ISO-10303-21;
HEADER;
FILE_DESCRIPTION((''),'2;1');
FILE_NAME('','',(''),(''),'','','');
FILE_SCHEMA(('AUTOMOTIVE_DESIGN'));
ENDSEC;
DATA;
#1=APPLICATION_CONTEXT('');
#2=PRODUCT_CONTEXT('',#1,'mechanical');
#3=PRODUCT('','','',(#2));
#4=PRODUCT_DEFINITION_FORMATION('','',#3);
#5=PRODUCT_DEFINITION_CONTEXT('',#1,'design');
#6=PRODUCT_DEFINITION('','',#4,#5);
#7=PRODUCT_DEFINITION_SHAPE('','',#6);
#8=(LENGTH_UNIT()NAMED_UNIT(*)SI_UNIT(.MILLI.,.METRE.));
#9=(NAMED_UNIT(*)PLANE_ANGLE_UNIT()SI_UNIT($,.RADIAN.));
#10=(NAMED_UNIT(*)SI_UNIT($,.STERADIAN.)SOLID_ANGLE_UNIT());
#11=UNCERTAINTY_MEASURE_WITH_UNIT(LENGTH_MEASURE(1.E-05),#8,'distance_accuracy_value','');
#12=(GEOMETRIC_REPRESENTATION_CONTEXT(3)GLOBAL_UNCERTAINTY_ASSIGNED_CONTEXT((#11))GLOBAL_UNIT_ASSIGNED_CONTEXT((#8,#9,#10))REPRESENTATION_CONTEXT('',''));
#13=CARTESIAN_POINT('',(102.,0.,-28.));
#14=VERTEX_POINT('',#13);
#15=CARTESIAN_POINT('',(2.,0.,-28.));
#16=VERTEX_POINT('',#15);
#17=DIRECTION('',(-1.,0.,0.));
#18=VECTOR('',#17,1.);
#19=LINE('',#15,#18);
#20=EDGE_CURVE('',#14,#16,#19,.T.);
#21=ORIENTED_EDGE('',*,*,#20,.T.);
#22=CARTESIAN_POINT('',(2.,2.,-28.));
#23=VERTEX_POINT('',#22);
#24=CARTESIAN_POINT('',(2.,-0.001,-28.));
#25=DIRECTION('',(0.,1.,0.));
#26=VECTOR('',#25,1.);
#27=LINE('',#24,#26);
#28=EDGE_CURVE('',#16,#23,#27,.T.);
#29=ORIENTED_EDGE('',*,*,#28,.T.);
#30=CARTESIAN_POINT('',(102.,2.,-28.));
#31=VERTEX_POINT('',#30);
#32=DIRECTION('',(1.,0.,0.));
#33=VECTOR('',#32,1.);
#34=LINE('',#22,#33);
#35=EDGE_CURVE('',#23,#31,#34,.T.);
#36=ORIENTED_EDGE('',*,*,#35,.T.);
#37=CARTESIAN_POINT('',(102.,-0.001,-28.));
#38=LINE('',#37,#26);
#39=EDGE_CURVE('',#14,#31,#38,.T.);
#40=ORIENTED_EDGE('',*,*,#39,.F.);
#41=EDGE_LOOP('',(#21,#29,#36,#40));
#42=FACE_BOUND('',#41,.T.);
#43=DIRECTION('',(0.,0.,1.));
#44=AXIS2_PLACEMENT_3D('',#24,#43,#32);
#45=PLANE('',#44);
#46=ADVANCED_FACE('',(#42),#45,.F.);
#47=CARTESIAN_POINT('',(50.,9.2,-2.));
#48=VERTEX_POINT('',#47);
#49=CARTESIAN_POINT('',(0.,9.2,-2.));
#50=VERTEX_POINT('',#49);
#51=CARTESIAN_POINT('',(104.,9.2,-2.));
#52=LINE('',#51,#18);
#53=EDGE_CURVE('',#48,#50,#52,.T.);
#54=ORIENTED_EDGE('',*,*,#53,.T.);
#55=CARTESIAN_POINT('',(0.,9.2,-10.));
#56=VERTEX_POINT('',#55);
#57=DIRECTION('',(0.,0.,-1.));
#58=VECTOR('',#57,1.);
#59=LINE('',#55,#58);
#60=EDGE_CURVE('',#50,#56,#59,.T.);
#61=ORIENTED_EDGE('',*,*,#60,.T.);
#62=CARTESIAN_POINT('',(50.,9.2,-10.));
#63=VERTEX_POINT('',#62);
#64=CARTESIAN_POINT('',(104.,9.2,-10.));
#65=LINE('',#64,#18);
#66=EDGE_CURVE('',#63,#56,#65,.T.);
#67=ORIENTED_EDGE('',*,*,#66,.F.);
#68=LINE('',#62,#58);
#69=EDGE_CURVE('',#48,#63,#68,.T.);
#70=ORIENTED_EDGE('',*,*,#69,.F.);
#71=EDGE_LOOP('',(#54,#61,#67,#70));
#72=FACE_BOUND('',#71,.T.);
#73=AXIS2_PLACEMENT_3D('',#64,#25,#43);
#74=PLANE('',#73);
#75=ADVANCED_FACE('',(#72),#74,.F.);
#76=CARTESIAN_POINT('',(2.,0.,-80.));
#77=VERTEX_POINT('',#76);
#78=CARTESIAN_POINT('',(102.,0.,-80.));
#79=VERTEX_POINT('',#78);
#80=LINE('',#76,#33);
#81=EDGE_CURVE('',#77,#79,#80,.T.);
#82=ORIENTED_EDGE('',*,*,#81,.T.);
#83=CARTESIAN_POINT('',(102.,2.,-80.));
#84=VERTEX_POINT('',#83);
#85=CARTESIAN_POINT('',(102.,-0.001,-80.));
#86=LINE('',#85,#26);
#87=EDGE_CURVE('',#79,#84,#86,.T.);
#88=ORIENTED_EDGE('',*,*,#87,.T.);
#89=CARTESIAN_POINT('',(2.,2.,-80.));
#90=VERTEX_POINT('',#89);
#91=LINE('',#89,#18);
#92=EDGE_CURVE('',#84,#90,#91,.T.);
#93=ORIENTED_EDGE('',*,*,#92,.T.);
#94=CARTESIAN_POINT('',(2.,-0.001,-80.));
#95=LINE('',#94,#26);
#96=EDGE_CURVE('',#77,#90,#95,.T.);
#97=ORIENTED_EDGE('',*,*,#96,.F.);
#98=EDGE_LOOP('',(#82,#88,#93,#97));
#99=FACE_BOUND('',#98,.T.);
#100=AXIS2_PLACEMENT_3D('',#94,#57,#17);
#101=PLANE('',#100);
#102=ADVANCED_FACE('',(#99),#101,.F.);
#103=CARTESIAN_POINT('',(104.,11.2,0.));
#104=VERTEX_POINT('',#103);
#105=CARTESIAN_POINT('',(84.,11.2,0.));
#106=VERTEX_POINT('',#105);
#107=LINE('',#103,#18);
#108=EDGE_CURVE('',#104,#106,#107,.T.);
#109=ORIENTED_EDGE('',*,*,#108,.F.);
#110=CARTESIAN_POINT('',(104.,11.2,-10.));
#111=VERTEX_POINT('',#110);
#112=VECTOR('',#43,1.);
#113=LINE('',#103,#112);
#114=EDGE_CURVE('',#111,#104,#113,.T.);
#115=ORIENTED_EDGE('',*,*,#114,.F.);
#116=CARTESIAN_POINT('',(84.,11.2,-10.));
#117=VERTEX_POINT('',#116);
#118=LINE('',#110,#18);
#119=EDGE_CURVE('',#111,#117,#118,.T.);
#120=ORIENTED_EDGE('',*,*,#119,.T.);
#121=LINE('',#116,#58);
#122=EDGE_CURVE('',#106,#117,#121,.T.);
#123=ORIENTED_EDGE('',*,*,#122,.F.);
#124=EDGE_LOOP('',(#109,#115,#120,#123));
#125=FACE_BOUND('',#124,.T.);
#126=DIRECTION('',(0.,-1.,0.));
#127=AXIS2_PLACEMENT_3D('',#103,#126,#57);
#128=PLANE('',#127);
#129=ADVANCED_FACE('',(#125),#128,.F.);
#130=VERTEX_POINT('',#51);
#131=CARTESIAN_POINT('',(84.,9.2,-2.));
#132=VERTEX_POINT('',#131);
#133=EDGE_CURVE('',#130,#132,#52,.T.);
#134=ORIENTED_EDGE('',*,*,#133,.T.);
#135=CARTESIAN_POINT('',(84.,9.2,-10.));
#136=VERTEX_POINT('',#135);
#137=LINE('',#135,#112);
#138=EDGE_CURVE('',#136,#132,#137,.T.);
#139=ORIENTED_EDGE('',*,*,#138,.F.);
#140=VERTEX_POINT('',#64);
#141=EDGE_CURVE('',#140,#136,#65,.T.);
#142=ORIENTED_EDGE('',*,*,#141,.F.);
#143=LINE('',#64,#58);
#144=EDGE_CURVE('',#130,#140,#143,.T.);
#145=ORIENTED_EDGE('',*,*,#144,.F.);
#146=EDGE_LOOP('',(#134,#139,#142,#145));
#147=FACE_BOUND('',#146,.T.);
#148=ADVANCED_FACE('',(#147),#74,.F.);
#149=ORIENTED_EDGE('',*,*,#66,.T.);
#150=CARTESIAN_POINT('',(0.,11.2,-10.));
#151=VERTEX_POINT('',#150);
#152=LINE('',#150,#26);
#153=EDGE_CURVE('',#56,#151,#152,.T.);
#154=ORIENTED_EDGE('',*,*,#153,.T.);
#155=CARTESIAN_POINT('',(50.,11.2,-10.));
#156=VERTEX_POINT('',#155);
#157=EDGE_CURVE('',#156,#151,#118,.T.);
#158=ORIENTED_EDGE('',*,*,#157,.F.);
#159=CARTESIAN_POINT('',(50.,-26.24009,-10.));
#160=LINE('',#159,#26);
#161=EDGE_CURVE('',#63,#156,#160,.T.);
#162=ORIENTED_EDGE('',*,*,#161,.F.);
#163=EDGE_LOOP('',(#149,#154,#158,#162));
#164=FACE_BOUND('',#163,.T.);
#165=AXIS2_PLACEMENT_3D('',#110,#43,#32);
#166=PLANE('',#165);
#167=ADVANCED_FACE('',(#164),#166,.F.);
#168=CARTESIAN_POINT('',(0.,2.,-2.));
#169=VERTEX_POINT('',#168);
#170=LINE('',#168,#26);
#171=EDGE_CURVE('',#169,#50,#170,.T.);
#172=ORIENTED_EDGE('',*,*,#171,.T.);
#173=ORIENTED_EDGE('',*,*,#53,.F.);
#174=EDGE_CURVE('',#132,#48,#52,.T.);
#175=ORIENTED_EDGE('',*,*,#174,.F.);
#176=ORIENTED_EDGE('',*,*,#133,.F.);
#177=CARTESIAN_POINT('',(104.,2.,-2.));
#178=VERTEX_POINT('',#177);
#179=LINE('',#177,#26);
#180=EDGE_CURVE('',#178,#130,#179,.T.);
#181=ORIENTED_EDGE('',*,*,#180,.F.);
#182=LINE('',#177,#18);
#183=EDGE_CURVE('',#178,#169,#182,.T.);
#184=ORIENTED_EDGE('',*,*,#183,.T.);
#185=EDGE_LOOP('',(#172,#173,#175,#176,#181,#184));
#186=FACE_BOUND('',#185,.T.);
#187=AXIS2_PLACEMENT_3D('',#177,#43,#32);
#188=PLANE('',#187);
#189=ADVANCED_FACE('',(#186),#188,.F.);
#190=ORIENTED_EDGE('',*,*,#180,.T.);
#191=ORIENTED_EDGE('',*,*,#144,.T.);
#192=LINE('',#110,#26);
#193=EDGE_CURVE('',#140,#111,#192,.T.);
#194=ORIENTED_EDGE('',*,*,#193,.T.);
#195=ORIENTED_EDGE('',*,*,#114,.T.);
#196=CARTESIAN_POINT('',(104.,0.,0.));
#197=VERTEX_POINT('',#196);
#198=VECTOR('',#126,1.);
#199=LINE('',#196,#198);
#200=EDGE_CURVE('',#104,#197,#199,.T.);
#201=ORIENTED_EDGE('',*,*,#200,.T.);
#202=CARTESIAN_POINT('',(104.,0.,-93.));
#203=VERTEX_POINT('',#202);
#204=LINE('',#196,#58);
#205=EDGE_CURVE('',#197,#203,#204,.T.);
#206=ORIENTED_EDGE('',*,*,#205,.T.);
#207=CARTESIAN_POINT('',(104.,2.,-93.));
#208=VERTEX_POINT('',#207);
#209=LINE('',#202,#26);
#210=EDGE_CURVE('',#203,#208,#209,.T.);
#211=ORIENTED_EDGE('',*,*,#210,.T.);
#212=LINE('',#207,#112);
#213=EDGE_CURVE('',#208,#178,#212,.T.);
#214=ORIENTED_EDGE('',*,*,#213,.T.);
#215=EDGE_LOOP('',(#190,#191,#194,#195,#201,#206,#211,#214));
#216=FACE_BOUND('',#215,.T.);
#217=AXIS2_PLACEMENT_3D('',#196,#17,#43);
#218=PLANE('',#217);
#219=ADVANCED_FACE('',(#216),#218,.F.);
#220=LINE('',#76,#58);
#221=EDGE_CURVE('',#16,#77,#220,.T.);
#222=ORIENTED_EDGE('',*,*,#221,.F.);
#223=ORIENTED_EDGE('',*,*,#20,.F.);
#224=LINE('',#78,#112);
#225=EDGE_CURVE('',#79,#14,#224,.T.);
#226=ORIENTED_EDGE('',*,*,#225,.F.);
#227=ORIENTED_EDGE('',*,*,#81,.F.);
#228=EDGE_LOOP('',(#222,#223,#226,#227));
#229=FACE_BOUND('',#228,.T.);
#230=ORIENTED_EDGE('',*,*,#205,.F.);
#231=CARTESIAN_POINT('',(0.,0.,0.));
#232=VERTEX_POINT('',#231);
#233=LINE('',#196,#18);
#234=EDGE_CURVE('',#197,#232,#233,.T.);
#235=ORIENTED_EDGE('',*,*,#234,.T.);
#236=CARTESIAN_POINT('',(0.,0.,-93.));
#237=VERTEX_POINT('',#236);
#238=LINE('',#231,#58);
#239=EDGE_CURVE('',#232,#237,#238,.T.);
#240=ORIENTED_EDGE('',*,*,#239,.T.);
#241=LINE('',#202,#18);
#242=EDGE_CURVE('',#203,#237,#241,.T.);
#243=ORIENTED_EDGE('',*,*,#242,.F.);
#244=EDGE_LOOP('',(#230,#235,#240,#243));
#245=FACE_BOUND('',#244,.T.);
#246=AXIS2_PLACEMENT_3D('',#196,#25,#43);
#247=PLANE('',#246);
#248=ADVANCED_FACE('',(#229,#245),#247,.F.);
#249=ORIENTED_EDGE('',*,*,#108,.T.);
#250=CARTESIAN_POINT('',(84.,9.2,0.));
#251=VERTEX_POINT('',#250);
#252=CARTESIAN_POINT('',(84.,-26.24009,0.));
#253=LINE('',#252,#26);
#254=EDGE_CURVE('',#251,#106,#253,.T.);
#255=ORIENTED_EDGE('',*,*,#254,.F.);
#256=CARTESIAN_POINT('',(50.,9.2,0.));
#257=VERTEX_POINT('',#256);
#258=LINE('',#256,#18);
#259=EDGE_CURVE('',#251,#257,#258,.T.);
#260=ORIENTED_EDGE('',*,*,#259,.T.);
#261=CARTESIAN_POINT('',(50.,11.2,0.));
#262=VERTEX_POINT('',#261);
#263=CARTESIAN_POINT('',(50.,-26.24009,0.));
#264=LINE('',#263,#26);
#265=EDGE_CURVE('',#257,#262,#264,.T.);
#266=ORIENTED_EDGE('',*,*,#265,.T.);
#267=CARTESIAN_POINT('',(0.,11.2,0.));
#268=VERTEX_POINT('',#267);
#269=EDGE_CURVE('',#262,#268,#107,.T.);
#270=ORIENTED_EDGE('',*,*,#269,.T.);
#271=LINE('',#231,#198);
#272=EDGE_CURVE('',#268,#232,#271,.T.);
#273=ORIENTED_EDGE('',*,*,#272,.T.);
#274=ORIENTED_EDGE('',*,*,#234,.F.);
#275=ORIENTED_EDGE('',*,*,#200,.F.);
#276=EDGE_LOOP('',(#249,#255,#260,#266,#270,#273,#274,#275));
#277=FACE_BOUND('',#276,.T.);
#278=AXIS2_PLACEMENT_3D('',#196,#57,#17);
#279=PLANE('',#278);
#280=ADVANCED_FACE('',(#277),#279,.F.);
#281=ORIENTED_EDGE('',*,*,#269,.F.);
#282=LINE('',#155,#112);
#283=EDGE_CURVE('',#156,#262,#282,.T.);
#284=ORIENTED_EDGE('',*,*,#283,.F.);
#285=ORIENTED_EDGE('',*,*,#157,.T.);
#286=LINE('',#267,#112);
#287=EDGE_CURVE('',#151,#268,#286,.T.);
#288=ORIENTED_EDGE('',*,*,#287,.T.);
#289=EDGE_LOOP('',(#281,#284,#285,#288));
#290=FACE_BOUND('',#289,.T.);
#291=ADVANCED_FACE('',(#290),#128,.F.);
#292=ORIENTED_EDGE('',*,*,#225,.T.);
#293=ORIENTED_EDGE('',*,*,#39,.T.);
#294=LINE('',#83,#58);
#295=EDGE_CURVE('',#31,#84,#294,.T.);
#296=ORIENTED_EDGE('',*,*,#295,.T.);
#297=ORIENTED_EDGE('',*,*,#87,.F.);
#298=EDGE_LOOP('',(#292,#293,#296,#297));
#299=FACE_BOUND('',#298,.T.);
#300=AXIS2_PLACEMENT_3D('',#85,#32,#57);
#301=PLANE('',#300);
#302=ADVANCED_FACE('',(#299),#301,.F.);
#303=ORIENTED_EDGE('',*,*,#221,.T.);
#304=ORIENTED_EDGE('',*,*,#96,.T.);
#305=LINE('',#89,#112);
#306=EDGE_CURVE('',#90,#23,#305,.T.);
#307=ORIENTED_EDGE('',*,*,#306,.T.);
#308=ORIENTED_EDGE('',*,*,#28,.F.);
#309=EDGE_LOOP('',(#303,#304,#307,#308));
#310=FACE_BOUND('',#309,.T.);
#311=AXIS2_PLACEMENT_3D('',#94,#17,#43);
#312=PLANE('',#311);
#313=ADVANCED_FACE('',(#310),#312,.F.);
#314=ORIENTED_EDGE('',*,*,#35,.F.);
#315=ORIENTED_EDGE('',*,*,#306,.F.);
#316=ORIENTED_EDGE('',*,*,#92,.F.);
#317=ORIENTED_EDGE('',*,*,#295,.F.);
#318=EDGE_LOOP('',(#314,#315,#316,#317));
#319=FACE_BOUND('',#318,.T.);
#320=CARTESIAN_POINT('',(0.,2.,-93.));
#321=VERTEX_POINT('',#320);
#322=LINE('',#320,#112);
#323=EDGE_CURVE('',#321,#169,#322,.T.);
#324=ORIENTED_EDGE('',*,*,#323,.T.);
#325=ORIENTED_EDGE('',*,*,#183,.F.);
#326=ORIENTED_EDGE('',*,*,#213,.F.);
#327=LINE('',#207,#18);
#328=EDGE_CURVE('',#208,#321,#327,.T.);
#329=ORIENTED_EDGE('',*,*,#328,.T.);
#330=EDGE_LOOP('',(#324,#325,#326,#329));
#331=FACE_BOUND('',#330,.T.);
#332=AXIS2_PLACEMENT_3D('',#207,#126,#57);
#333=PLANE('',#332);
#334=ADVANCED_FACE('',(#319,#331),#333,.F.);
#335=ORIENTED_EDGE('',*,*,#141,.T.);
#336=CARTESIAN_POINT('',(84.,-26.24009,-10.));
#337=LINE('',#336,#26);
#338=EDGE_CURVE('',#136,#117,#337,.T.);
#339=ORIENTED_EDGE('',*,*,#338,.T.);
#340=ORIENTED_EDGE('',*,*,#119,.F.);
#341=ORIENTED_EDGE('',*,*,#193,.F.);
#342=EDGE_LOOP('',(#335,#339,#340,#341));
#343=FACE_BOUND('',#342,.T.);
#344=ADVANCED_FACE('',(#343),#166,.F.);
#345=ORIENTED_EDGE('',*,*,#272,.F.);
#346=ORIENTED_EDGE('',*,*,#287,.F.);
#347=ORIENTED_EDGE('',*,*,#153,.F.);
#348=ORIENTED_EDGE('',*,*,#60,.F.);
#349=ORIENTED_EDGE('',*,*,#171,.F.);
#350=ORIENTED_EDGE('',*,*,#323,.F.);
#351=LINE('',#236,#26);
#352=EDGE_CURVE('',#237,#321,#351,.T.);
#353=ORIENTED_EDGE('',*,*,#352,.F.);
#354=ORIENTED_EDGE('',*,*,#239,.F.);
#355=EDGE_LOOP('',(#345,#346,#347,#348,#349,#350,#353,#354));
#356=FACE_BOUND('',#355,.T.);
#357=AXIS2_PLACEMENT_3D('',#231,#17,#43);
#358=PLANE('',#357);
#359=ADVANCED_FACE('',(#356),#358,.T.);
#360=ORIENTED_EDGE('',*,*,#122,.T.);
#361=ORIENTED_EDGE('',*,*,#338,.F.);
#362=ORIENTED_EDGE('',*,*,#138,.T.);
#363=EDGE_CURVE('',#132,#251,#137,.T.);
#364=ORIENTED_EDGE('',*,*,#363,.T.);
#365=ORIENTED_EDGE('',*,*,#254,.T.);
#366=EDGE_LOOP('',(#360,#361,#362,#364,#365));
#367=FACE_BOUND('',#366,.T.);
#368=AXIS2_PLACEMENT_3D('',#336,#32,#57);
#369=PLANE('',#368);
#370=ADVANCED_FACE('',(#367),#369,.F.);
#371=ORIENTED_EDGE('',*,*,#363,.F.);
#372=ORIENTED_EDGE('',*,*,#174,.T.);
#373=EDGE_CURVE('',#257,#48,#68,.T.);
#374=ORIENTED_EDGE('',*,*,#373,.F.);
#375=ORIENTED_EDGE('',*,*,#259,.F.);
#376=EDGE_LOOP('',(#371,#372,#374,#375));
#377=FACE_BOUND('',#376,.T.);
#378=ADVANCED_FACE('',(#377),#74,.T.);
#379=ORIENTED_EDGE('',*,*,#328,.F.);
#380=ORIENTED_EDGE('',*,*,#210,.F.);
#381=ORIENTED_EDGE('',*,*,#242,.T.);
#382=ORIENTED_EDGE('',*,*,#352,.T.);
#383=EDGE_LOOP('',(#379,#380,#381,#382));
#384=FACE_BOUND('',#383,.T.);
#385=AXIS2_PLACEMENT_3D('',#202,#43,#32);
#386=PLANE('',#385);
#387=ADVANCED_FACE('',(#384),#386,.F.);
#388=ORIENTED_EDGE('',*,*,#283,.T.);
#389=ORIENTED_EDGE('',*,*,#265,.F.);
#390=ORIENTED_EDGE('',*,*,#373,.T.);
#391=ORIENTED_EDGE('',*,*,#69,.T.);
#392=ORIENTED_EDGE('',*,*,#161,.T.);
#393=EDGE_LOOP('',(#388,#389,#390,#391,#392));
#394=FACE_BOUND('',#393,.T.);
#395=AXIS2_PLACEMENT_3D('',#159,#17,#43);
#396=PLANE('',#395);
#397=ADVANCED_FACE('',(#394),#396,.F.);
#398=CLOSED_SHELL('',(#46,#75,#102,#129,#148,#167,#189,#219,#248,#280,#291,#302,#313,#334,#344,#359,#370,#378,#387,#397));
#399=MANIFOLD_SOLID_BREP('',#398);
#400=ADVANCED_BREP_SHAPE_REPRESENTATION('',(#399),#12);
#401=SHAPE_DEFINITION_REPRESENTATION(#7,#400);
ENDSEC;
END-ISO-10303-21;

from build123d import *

# Parameters (mm, degrees)
BOSS_EXTRUDE1_DEPTH = 104
SKETCH2_W           = 34
SKETCH2_H           = 10
CUT_EXTRUDE1_DEPTH  = 2
CUT_EXTRUDE2_REACH  = 141.82
SKETCH3_W           = 100
SKETCH3_H           = 52


with BuildPart() as part:
    # Sketch1 → Boss-Extrude1 (new body)
    with BuildSketch(Plane(origin=(0, 0, 0), x_dir=(0, 0, -1), z_dir=(1, 0, 0))):
        Polygon((0, 0), (93, 0), (93, 2), (2, 2), (2, 9.2), (10, 9.2), (10, 11.2), (0, 11.2), align=None)
    extrude(amount=BOSS_EXTRUDE1_DEPTH)

    # Sketch2 → Cut-Extrude1 (cut)
    with BuildSketch(Plane(origin=(0, 11.2, 0), x_dir=(1, 0, 0), z_dir=(0, 1, 0))):
        with Locations((67, 5)):
            Rectangle(SKETCH2_W, SKETCH2_H)
    extrude(amount=-CUT_EXTRUDE1_DEPTH, mode=Mode.SUBTRACT)

    # Sketch3 → Cut-Extrude2 (cut, up to next)
    with BuildSketch(Plane(origin=(0, 2, 0), x_dir=(1, 0, 0), z_dir=(0, 1, 0)), mode=Mode.PRIVATE) as cut_extrude2_sk1:
        with Locations((52, 54)):
            Rectangle(SKETCH3_W, SKETCH3_H)
    cut_extrude2_tool1 = extrude(cut_extrude2_sk1.sketch, amount=-CUT_EXTRUDE2_REACH, mode=Mode.PRIVATE) & part.part
    add(cut_extrude2_tool1.solids().sort_by_distance((52, 2, -54))[0], mode=Mode.SUBTRACT)


solid = part.part
